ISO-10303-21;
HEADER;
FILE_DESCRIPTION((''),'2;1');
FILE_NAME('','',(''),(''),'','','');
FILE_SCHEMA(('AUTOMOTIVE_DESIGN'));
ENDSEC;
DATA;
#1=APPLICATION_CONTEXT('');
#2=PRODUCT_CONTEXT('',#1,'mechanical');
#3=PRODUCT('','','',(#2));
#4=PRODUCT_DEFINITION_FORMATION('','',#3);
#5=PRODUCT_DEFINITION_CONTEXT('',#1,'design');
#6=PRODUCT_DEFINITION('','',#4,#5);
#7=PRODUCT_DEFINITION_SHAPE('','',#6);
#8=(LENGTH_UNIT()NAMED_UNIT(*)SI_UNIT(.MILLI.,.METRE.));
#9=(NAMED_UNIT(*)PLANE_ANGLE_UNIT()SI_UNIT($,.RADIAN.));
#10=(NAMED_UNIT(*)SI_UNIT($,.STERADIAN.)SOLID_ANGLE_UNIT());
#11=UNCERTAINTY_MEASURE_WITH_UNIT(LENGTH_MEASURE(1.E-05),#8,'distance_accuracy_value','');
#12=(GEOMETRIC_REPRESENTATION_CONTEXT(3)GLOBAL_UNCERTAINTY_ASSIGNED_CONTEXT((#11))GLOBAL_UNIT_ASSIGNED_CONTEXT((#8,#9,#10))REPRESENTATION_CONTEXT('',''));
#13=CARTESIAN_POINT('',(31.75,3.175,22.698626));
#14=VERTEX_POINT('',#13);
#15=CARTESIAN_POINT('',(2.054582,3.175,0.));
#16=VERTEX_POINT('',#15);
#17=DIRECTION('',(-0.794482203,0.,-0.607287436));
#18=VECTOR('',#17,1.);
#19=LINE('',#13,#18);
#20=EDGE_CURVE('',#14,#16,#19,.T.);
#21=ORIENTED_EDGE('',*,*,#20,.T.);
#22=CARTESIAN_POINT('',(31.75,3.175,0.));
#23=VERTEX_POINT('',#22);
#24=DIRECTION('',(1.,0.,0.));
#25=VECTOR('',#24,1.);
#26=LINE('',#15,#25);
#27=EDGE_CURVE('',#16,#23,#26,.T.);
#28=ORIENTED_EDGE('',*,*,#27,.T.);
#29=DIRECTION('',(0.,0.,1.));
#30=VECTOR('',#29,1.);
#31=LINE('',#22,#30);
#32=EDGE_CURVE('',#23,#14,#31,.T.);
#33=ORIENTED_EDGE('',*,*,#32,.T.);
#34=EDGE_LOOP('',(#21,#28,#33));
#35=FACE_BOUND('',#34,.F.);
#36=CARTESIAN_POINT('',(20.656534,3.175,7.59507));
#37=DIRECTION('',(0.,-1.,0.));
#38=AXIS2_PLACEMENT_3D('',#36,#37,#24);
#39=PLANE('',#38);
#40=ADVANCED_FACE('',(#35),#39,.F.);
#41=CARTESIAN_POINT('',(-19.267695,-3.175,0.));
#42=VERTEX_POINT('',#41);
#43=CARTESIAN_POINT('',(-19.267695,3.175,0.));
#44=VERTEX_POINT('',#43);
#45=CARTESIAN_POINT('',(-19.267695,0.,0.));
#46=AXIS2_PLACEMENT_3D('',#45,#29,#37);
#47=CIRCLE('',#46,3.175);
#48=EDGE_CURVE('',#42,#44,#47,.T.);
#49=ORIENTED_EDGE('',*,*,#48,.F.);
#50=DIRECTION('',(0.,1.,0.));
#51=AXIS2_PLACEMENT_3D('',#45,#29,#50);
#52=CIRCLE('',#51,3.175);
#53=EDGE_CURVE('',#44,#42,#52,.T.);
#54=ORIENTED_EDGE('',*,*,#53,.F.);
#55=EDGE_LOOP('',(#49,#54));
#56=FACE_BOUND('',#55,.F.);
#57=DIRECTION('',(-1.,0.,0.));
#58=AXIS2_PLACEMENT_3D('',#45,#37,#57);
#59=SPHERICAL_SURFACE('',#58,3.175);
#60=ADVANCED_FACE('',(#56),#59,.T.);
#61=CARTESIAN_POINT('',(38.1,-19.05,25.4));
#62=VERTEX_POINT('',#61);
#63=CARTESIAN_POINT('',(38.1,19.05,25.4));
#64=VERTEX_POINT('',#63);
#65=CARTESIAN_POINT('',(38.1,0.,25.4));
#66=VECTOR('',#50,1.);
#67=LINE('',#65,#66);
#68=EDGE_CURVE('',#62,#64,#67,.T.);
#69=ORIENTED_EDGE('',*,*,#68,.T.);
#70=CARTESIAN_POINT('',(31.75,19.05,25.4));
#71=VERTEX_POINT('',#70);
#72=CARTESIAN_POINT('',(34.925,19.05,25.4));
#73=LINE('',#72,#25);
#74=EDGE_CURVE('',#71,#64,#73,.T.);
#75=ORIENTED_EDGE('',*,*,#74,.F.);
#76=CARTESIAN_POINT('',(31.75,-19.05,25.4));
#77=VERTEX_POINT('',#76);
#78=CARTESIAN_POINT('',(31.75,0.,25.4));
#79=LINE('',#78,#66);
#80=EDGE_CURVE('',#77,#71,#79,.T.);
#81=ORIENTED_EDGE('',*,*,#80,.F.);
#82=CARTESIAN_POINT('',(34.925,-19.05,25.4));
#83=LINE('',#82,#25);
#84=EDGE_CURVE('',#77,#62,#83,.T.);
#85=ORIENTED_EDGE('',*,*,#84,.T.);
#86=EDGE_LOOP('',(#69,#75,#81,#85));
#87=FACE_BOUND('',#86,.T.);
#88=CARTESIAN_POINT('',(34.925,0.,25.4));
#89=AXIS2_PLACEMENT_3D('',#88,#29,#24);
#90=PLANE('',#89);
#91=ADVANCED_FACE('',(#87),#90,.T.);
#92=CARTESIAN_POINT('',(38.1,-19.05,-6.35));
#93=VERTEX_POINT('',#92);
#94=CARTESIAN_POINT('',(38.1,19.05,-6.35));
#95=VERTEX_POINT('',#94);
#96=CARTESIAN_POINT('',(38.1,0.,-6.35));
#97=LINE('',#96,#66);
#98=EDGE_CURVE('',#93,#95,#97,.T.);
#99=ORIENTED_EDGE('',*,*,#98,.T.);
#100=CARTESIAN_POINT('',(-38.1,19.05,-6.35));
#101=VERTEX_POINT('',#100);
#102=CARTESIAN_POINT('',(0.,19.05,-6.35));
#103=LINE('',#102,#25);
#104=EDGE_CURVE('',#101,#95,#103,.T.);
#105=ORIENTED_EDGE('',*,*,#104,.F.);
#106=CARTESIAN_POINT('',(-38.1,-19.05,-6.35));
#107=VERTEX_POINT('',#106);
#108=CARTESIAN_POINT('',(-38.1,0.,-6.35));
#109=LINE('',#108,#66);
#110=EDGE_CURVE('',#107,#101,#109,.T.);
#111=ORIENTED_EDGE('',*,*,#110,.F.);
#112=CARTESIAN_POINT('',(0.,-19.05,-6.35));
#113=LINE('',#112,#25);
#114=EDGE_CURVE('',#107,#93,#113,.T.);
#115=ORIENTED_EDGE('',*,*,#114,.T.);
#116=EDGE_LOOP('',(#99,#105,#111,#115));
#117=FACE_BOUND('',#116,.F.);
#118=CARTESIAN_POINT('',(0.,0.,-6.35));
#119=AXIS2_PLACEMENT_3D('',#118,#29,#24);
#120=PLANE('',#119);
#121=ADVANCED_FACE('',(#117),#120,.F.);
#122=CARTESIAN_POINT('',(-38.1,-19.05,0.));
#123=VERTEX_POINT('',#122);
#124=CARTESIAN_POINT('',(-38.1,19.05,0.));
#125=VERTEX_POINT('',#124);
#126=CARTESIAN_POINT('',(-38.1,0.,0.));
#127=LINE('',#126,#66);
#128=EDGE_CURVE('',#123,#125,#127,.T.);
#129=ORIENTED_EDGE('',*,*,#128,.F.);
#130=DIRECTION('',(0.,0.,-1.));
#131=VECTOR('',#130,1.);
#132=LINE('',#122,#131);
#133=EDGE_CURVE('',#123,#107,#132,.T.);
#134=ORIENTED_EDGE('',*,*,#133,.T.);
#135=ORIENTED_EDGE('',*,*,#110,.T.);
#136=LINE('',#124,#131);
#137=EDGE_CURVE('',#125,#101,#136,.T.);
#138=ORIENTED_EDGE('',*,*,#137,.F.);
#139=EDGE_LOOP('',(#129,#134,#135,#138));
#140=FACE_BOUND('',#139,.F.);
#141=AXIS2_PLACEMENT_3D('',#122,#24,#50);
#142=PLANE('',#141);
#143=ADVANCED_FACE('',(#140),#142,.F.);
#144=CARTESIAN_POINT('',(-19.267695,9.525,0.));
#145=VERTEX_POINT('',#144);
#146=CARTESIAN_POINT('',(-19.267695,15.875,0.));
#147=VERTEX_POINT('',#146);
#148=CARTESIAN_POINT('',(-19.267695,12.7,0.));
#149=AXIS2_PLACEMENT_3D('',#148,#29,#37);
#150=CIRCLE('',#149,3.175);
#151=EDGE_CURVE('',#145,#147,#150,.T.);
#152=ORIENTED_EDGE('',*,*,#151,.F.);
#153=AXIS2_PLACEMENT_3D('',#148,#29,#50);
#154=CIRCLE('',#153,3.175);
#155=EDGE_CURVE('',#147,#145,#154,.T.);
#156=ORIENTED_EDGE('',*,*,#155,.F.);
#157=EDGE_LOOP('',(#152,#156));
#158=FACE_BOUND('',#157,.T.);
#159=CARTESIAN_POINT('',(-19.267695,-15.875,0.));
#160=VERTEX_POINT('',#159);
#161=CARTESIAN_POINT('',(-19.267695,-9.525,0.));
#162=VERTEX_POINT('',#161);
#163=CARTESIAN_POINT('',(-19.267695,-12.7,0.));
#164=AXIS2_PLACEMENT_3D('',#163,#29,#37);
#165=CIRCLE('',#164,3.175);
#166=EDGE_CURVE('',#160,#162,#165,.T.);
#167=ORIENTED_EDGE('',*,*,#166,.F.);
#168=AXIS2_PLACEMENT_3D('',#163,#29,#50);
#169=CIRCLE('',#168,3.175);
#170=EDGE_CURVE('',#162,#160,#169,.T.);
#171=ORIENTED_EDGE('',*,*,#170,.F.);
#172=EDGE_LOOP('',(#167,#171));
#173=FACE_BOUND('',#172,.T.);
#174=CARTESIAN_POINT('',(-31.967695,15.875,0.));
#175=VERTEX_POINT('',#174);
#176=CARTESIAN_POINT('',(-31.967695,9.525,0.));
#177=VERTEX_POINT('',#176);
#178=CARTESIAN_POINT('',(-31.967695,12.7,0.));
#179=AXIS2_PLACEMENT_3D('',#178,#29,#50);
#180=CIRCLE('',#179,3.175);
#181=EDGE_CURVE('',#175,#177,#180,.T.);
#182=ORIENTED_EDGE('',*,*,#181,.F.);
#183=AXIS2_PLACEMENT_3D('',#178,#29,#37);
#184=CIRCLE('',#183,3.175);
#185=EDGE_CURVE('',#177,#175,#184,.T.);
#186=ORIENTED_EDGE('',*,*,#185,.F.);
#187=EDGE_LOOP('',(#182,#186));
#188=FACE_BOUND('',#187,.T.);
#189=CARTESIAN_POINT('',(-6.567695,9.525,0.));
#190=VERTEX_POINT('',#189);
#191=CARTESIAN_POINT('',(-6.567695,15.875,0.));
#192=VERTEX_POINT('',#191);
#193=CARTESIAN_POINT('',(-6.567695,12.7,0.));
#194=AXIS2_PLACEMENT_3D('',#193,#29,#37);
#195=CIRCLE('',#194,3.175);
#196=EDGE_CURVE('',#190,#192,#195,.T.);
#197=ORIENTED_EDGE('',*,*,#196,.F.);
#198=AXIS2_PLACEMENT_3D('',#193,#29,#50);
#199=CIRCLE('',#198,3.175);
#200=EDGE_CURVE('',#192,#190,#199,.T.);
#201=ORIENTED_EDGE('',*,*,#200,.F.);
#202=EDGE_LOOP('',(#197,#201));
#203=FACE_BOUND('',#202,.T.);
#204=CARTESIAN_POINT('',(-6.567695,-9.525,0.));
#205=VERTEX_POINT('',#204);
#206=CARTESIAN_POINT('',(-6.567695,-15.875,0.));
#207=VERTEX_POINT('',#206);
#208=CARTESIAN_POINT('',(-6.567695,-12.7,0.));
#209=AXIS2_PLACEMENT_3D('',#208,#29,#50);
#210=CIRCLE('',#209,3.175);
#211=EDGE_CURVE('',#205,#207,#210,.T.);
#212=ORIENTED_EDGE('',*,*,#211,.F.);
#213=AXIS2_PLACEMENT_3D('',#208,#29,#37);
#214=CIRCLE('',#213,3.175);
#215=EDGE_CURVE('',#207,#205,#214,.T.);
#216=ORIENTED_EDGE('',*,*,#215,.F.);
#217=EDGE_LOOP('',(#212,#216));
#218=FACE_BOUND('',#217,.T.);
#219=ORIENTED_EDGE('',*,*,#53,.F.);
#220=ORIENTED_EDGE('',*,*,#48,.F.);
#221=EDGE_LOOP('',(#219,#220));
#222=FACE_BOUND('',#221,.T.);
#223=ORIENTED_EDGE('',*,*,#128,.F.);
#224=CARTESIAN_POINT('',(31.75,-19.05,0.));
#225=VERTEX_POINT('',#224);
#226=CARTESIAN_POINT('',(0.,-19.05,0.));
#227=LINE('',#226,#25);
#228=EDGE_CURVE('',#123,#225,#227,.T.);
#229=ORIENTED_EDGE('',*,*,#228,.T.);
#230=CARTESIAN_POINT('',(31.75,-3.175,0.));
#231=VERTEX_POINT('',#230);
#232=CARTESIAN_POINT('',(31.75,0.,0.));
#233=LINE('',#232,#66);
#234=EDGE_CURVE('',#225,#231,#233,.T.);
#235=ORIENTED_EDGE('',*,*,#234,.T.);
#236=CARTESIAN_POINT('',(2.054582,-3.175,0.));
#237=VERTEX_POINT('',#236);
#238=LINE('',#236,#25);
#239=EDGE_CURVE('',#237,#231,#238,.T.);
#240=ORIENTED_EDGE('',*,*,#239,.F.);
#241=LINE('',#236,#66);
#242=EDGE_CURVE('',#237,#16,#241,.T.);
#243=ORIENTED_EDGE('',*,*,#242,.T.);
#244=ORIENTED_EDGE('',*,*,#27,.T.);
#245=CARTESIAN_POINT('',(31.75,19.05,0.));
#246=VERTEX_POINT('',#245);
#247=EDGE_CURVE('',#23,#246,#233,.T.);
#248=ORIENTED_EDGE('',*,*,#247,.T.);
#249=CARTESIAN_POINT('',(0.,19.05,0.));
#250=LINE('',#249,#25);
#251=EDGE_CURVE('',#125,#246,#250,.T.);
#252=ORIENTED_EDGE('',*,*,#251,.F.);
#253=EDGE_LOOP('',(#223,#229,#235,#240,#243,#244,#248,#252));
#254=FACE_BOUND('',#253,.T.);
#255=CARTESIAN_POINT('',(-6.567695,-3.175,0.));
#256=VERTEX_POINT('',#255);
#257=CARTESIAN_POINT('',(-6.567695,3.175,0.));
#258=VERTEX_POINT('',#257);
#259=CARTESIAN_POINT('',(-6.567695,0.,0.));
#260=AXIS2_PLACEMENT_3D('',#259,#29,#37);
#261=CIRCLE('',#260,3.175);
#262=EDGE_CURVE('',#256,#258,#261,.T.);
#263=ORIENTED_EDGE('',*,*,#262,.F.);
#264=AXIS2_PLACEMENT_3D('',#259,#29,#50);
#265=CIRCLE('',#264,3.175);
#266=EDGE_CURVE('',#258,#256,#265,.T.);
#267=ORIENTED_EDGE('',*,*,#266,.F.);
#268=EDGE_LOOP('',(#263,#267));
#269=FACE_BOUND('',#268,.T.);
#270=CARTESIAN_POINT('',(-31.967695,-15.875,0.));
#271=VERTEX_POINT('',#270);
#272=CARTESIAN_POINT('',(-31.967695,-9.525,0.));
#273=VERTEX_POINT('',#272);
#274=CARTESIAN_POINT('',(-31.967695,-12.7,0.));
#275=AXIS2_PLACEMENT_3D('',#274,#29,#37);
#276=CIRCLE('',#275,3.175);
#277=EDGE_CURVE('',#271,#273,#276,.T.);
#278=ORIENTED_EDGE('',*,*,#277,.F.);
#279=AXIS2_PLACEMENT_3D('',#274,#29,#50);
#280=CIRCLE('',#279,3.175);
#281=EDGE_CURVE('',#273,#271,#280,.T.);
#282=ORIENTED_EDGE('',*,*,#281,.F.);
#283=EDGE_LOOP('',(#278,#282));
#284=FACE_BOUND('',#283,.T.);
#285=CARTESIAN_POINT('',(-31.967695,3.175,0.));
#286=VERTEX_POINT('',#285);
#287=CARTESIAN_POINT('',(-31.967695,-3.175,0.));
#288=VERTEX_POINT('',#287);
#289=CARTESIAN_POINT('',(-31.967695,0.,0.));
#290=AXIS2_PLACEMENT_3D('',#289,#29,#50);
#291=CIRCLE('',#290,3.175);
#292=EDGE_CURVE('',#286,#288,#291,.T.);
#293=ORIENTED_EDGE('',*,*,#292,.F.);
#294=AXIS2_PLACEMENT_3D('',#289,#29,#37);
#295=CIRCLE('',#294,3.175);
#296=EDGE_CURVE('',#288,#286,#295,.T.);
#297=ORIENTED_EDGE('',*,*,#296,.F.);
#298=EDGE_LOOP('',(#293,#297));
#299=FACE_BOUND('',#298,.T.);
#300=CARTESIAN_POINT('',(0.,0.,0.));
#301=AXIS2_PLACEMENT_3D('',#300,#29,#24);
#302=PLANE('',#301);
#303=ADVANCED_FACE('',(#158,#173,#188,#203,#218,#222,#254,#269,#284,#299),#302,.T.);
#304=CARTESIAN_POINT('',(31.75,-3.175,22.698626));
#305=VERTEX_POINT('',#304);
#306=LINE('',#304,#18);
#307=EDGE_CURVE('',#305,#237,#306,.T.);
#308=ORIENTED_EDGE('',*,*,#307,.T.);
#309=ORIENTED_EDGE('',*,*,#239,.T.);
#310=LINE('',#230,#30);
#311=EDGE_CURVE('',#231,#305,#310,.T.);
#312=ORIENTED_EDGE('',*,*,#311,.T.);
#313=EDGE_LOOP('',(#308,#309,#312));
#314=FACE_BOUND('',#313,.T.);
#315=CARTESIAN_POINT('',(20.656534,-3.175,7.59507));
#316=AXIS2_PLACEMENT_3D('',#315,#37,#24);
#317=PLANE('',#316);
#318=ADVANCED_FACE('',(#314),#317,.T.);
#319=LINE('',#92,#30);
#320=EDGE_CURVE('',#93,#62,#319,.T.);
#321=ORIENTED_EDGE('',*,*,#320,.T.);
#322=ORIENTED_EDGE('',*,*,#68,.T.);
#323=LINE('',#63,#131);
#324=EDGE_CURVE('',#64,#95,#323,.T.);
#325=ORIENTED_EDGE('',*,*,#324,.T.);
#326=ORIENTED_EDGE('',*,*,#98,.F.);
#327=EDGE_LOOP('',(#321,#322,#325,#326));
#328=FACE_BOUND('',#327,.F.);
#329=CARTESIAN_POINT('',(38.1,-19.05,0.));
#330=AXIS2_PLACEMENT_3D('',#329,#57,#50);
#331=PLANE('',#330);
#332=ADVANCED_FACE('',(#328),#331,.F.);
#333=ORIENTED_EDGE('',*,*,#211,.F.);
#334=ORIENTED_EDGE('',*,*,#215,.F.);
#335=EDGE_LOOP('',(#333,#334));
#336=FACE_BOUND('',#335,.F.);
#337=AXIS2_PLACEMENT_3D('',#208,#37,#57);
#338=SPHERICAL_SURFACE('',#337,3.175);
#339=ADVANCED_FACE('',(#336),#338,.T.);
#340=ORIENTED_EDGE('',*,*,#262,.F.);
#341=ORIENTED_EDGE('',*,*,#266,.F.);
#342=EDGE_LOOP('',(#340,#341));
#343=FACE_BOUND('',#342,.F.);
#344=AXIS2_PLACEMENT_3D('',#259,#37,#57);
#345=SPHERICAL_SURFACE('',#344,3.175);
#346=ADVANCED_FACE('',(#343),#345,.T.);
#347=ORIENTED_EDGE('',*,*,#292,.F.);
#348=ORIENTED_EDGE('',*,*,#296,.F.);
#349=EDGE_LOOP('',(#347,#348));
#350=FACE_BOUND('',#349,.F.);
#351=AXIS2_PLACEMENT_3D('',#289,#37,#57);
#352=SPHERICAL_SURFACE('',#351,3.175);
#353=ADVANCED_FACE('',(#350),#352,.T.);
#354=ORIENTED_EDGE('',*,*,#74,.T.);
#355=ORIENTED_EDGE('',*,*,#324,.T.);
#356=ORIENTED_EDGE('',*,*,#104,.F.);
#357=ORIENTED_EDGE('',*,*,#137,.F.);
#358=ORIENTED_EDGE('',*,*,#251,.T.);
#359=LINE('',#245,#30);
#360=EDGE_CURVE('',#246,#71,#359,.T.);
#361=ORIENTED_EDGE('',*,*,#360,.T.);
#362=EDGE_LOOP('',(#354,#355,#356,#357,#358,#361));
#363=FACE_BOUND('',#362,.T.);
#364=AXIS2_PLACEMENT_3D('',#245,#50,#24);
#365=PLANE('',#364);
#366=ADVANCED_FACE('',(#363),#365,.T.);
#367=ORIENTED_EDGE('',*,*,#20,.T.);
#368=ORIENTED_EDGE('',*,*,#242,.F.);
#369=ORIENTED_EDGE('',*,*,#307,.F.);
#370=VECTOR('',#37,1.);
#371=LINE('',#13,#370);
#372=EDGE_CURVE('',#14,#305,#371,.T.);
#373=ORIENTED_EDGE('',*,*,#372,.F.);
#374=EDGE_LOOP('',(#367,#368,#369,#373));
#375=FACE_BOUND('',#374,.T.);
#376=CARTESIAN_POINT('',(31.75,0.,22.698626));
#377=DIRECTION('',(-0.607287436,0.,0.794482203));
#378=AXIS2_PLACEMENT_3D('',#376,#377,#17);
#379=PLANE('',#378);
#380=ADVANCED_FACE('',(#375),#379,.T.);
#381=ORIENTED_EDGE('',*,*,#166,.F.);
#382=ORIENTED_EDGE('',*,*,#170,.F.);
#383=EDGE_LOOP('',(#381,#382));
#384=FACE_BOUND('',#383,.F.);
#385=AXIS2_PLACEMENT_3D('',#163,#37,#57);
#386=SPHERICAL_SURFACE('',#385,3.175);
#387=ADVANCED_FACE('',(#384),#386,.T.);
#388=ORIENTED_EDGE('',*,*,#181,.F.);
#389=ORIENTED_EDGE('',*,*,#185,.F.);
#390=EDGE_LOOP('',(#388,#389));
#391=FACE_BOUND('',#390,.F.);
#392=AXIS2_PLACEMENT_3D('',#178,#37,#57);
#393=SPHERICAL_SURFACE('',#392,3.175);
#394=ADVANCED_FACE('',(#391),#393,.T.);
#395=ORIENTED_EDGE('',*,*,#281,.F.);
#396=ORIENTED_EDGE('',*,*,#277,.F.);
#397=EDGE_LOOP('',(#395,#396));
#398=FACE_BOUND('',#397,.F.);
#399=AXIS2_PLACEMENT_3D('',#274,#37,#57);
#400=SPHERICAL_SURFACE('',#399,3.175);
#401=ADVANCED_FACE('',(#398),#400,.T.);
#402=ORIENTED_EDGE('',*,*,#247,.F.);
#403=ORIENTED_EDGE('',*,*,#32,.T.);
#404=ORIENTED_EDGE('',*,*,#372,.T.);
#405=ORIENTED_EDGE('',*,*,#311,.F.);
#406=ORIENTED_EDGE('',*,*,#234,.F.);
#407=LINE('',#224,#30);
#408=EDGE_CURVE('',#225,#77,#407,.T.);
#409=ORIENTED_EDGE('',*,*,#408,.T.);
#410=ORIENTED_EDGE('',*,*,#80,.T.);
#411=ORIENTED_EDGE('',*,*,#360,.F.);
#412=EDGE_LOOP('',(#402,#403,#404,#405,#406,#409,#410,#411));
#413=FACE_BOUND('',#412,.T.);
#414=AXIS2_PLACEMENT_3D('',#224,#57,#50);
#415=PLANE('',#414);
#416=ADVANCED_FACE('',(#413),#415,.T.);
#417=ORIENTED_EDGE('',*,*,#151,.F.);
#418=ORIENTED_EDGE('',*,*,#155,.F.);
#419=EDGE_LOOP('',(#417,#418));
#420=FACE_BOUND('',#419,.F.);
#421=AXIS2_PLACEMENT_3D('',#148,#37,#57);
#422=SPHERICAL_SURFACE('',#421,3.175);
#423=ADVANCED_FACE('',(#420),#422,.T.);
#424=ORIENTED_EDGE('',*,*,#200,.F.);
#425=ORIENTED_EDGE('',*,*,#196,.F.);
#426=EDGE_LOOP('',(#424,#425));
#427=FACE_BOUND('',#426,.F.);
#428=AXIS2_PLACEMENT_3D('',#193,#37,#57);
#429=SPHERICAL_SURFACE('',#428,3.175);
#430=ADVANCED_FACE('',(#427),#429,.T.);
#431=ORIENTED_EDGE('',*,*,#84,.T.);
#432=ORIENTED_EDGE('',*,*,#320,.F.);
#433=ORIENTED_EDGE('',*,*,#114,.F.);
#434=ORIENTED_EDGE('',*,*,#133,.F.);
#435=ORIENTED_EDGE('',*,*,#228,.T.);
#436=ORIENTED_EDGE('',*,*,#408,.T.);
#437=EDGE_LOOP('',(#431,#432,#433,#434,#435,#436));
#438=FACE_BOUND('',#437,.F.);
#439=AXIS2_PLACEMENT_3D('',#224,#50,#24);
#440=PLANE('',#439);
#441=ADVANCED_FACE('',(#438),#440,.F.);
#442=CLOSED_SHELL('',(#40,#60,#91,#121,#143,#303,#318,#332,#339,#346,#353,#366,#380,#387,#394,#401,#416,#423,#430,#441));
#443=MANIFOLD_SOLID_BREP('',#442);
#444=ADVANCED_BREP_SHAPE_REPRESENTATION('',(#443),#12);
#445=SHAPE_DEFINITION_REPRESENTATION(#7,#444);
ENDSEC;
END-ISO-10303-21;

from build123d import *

# Parameters (mm, degrees)
F0_W     = 76.2
F0_H     = 38.1
F1_DEPTH = 6.35
F6_W     = 6.35
F6_H     = 38.1
F7_DEPTH = 25.4
F9_DEPTH = 3.175


with BuildPart() as f1:
    # F0 (on Top) → F1 (new body)
    with BuildSketch(Plane.XY):
        Rectangle(F0_W, F0_H)
    extrude(amount=-F1_DEPTH)

    # F2 (on face) → F3 (revolve)
    with BuildSketch(Plane.XY):
        with BuildLine():
            Line((-31.9676950246, 9.525), (-31.9676950246, 15.875))
            ThreePointArc((-31.9676950246, 15.875), (-35.1426950246, 12.7), (-31.9676950246, 9.525))
        make_face()
        with BuildLine():
            Line((-31.9676950246, -3.175), (-31.9676950246, 3.175))
            ThreePointArc((-31.9676950246, 3.175), (-35.1426950246, 0), (-31.9676950246, -3.175))
        make_face()
        with BuildLine():
            Line((-31.9676950246, -15.875), (-31.9676950246, -9.525))
            ThreePointArc((-31.9676950246, -9.525), (-35.1426950246, -12.7), (-31.9676950246, -15.875))
        make_face()
    revolve(axis=Axis((-31.9676950246, 0, 0), (0, 1, 0)))

    # F2 (on face) → F4 (revolve)
    with BuildSketch(Plane.XY):
        with BuildLine():
            Line((-19.2676950246, 9.525), (-19.2676950246, 15.875))
            ThreePointArc((-19.2676950246, 15.875), (-22.4426950246, 12.7), (-19.2676950246, 9.525))
        make_face()
        with BuildLine():
            Line((-19.2676950246, -3.175), (-19.2676950246, 3.175))
            ThreePointArc((-19.2676950246, 3.175), (-22.4426950246, 0), (-19.2676950246, -3.175))
        make_face()
        with BuildLine():
            Line((-19.2676950246, -15.875), (-19.2676950246, -9.525))
            ThreePointArc((-19.2676950246, -9.525), (-22.4426950246, -12.7), (-19.2676950246, -15.875))
        make_face()
    revolve(axis=Axis((-19.2676950246, 0, 0), (0, 1, 0)))

    # F2 (on face) → F5 (revolve)
    with BuildSketch(Plane.XY):
        with BuildLine():
            Line((-6.5676950246, 9.525), (-6.5676950246, 15.875))
            ThreePointArc((-6.5676950246, 15.875), (-9.7426950246, 12.7), (-6.5676950246, 9.525))
        make_face()
        with BuildLine():
            Line((-6.5676950246, -3.175), (-6.5676950246, 3.175))
            ThreePointArc((-6.5676950246, 3.175), (-9.7426950246, 0), (-6.5676950246, -3.175))
        make_face()
        with BuildLine():
            Line((-6.5676950246, -15.875), (-6.5676950246, -9.525))
            ThreePointArc((-6.5676950246, -9.525), (-9.7426950246, -12.7), (-6.5676950246, -15.875))
        make_face()
    revolve(axis=Axis((-6.5676950246, -12.7, 0), (0, 1, 0)))

    # F6 (on face) → F7 (join)
    with BuildSketch(Plane.XY):
        with Locations((34.925, 0)):
            Rectangle(F6_W, F6_H)
    extrude(amount=F7_DEPTH)

    # F8 (on Front) → F9 (join, symmetric)
    with BuildSketch(Plane.XZ):
        Polygon((31.75, 0), (31.75, 22.6986259222), (2.0545818843, 0), align=None)
    extrude(amount=F9_DEPTH, both=True)


solid = f1.part
